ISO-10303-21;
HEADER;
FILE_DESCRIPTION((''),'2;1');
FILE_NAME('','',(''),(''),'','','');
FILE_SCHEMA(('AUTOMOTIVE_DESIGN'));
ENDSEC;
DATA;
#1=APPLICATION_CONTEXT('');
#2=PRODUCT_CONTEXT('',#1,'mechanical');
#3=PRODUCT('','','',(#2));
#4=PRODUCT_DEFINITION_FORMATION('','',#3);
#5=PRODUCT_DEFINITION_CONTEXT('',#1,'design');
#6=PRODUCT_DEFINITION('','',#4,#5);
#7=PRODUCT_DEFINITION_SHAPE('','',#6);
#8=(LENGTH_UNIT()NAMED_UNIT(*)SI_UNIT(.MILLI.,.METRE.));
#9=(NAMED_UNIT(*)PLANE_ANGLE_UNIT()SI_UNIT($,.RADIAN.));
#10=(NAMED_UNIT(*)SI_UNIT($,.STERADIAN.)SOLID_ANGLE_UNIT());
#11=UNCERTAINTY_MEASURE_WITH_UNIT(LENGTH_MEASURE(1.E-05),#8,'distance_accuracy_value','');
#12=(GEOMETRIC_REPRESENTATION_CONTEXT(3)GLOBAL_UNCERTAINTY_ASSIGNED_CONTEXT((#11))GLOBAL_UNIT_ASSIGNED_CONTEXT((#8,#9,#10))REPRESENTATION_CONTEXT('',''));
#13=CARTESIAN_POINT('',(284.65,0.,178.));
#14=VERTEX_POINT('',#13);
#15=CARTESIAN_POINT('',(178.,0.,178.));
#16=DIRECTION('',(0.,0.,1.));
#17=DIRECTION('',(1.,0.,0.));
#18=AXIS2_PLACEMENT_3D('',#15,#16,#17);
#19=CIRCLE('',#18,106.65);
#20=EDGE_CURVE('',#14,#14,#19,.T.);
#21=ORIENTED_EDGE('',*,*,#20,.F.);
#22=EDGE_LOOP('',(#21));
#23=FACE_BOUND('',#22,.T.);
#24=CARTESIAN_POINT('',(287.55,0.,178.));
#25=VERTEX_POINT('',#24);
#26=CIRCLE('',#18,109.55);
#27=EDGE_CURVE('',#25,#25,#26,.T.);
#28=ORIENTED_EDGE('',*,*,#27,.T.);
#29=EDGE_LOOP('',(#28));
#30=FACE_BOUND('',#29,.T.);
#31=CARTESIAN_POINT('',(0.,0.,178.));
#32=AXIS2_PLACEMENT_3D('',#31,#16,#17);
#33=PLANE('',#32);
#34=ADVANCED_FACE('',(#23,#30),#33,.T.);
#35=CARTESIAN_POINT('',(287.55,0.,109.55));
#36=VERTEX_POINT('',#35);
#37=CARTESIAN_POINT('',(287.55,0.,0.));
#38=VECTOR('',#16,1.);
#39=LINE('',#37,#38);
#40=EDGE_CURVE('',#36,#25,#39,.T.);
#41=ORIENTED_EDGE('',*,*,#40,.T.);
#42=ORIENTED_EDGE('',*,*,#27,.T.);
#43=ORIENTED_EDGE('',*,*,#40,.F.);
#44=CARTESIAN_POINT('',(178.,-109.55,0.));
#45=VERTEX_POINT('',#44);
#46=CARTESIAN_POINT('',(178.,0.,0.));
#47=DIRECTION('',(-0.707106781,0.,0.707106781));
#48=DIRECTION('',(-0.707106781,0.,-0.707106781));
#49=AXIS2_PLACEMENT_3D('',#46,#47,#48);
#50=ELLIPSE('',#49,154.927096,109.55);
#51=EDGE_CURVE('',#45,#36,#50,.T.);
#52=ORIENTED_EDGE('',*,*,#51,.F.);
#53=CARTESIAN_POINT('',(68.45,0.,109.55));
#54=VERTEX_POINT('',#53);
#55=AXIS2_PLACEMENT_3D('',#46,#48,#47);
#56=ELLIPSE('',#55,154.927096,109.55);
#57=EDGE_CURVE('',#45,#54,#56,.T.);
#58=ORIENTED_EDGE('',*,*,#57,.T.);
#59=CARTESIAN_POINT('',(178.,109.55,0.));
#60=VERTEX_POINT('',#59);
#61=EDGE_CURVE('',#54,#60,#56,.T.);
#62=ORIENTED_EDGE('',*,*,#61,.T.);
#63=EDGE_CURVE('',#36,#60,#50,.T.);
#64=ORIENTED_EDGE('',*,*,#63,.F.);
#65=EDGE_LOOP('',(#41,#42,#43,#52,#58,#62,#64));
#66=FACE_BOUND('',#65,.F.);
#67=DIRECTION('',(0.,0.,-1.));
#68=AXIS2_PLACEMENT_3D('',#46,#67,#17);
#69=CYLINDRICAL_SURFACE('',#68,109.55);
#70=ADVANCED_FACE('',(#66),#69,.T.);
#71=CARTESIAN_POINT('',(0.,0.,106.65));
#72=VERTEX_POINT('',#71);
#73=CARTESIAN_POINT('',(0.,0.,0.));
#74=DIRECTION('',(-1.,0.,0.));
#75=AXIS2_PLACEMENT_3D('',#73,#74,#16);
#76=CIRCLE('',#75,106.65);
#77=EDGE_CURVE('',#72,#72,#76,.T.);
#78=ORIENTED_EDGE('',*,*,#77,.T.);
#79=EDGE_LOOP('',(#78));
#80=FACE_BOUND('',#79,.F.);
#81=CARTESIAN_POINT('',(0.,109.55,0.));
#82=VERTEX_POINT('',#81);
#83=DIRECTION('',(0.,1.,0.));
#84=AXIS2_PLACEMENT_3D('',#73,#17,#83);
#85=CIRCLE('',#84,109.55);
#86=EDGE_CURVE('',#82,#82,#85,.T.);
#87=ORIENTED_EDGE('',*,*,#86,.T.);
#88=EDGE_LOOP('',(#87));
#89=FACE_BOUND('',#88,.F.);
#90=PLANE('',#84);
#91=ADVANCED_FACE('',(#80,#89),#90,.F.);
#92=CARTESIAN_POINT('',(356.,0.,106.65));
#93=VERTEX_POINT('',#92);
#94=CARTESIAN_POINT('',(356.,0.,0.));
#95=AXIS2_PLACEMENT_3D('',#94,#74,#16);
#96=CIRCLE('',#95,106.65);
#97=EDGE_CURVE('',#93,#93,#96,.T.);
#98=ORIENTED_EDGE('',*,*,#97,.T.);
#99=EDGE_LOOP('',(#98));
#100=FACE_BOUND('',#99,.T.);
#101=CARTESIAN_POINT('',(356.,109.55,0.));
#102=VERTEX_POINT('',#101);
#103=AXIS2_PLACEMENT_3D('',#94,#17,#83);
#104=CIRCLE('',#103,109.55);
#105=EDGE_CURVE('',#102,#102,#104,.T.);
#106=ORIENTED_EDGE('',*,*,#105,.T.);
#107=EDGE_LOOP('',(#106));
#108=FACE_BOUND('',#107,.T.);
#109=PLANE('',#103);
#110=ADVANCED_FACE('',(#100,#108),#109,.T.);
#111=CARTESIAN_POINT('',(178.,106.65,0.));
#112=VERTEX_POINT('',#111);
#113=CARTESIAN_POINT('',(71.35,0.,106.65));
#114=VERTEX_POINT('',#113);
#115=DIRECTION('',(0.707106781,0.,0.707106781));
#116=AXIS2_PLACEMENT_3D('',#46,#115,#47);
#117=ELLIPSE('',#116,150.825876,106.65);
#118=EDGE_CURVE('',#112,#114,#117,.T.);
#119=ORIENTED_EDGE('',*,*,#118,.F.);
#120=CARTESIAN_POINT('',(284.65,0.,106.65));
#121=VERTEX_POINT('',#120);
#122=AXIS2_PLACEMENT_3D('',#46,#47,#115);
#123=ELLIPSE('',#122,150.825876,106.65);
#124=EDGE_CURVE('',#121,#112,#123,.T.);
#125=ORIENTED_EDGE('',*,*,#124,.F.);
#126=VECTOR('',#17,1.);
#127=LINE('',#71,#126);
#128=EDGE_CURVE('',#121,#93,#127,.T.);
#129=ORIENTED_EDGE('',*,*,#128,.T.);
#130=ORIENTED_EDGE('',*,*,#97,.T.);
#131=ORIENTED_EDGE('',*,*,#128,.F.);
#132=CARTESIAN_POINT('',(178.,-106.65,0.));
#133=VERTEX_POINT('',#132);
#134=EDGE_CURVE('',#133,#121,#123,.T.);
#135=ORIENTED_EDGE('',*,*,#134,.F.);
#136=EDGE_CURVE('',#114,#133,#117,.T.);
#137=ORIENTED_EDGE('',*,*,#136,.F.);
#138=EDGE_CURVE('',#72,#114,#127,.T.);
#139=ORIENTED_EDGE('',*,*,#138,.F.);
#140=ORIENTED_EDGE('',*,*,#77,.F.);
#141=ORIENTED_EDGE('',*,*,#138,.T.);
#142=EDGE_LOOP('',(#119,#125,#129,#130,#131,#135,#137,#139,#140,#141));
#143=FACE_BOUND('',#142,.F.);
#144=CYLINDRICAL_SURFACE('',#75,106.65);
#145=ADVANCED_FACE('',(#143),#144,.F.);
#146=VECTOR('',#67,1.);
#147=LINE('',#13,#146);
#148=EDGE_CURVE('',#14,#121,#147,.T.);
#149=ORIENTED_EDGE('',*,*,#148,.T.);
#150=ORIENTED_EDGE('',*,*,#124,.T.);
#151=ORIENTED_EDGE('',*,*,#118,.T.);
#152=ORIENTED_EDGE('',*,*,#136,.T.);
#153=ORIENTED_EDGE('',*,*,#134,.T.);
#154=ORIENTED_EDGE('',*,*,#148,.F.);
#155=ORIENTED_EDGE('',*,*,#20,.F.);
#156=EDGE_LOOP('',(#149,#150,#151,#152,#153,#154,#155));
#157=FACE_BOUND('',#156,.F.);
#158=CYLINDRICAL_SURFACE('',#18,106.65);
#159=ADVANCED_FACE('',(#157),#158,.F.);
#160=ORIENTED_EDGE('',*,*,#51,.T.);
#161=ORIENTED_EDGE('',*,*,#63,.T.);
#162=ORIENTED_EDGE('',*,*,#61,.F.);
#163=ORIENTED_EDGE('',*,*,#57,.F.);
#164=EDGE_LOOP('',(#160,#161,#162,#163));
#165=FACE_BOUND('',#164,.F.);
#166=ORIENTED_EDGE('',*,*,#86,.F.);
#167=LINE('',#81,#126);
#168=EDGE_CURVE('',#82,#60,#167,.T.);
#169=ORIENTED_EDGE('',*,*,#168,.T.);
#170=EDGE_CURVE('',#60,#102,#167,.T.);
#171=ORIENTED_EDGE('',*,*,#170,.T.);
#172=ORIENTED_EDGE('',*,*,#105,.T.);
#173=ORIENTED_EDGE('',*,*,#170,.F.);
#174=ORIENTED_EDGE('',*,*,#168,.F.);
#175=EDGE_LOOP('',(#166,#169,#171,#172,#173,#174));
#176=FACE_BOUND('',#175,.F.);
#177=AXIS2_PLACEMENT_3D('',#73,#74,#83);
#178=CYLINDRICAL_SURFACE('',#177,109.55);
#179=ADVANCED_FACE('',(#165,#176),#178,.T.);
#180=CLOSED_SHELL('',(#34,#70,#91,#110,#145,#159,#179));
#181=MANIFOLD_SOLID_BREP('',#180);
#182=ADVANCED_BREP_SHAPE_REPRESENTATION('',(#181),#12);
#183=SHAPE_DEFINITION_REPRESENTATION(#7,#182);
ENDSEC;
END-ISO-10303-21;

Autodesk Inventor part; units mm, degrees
ref_plane "YZ Plane" through (0, 0, 0) normal (1, 0, 0) x (0, 1, 0)
ref_plane "XZ Plane" through (0, 0, 0) normal (0, 1, 0) x (-1, 0, 0)
ref_plane "XY Plane" through (0, 0, 0) normal (0, 0, 1) x (1, 0, 0)
sketch "Sketch1" plane through (0, 0, 0) normal (1, 0, 0) x (0, 1, 0)
  circle A0 centre (0, 0) radius 109.55
  dimension "d0" = 219.1
extrude "Extrude1" add sketch "Sketch1" along normal blind 356
sketch "Sketch2" plane through (0, 0, 0) normal (0, 0, 1) x (1, 0, 0)
  line L0 (0, 109.55) -> (0, -109.55) projected
  line L1 (356, 109.55) -> (356, -109.55) projected
  line L2 (0, 0) -> (356, 0) construction
  circle A0 centre (178, 0) radius 109.55
  dimension "d3" = 219.1
extrude "Extrude2" add sketch "Sketch2" along normal blind 178
sketch "Sketch3" plane through (0, 0, 0) normal (-1, 0, 0) x (0, 0, 1)
  circle A0 centre (0, 0) radius 109.55 projected
  circle A1 centre (0, 0) radius 106.65
  dimension "d6" = 213.3
extrude "Extrude3" cut sketch "Sketch3" against normal through all contours A1
sketch "Sketch4" plane through (178, 0, 178) normal (0, 0, 1) x (1, 0, 0)
  circle A0 centre (0, 0) radius 109.55 projected
  circle A1 centre (0, 0) radius 106.65
  dimension "d9" = 213.3
extrude "Extrude4" cut sketch "Sketch4" against normal up to next contours A1
equation "\"d0\" = d"
equation "\"d1\" = 2 * a"
equation "\"d3\" = d"
equation "\"d4\" = a"
equation "\"d6\" = d - 2 * s1"
equation "\"d7\" = a"
equation "\"d9\" = d - 2 * s1"
equation "\"d10\" = a"
equation "\"d\" = 219.1"
equation "\"s1\" = 2.9"
equation "\"a\" = 178"
equation "\"Size_Designation\" = 1.2345"
properties part number "DIN 2615-1 Tee 219.1 x 2.9 S" material "Steel"
